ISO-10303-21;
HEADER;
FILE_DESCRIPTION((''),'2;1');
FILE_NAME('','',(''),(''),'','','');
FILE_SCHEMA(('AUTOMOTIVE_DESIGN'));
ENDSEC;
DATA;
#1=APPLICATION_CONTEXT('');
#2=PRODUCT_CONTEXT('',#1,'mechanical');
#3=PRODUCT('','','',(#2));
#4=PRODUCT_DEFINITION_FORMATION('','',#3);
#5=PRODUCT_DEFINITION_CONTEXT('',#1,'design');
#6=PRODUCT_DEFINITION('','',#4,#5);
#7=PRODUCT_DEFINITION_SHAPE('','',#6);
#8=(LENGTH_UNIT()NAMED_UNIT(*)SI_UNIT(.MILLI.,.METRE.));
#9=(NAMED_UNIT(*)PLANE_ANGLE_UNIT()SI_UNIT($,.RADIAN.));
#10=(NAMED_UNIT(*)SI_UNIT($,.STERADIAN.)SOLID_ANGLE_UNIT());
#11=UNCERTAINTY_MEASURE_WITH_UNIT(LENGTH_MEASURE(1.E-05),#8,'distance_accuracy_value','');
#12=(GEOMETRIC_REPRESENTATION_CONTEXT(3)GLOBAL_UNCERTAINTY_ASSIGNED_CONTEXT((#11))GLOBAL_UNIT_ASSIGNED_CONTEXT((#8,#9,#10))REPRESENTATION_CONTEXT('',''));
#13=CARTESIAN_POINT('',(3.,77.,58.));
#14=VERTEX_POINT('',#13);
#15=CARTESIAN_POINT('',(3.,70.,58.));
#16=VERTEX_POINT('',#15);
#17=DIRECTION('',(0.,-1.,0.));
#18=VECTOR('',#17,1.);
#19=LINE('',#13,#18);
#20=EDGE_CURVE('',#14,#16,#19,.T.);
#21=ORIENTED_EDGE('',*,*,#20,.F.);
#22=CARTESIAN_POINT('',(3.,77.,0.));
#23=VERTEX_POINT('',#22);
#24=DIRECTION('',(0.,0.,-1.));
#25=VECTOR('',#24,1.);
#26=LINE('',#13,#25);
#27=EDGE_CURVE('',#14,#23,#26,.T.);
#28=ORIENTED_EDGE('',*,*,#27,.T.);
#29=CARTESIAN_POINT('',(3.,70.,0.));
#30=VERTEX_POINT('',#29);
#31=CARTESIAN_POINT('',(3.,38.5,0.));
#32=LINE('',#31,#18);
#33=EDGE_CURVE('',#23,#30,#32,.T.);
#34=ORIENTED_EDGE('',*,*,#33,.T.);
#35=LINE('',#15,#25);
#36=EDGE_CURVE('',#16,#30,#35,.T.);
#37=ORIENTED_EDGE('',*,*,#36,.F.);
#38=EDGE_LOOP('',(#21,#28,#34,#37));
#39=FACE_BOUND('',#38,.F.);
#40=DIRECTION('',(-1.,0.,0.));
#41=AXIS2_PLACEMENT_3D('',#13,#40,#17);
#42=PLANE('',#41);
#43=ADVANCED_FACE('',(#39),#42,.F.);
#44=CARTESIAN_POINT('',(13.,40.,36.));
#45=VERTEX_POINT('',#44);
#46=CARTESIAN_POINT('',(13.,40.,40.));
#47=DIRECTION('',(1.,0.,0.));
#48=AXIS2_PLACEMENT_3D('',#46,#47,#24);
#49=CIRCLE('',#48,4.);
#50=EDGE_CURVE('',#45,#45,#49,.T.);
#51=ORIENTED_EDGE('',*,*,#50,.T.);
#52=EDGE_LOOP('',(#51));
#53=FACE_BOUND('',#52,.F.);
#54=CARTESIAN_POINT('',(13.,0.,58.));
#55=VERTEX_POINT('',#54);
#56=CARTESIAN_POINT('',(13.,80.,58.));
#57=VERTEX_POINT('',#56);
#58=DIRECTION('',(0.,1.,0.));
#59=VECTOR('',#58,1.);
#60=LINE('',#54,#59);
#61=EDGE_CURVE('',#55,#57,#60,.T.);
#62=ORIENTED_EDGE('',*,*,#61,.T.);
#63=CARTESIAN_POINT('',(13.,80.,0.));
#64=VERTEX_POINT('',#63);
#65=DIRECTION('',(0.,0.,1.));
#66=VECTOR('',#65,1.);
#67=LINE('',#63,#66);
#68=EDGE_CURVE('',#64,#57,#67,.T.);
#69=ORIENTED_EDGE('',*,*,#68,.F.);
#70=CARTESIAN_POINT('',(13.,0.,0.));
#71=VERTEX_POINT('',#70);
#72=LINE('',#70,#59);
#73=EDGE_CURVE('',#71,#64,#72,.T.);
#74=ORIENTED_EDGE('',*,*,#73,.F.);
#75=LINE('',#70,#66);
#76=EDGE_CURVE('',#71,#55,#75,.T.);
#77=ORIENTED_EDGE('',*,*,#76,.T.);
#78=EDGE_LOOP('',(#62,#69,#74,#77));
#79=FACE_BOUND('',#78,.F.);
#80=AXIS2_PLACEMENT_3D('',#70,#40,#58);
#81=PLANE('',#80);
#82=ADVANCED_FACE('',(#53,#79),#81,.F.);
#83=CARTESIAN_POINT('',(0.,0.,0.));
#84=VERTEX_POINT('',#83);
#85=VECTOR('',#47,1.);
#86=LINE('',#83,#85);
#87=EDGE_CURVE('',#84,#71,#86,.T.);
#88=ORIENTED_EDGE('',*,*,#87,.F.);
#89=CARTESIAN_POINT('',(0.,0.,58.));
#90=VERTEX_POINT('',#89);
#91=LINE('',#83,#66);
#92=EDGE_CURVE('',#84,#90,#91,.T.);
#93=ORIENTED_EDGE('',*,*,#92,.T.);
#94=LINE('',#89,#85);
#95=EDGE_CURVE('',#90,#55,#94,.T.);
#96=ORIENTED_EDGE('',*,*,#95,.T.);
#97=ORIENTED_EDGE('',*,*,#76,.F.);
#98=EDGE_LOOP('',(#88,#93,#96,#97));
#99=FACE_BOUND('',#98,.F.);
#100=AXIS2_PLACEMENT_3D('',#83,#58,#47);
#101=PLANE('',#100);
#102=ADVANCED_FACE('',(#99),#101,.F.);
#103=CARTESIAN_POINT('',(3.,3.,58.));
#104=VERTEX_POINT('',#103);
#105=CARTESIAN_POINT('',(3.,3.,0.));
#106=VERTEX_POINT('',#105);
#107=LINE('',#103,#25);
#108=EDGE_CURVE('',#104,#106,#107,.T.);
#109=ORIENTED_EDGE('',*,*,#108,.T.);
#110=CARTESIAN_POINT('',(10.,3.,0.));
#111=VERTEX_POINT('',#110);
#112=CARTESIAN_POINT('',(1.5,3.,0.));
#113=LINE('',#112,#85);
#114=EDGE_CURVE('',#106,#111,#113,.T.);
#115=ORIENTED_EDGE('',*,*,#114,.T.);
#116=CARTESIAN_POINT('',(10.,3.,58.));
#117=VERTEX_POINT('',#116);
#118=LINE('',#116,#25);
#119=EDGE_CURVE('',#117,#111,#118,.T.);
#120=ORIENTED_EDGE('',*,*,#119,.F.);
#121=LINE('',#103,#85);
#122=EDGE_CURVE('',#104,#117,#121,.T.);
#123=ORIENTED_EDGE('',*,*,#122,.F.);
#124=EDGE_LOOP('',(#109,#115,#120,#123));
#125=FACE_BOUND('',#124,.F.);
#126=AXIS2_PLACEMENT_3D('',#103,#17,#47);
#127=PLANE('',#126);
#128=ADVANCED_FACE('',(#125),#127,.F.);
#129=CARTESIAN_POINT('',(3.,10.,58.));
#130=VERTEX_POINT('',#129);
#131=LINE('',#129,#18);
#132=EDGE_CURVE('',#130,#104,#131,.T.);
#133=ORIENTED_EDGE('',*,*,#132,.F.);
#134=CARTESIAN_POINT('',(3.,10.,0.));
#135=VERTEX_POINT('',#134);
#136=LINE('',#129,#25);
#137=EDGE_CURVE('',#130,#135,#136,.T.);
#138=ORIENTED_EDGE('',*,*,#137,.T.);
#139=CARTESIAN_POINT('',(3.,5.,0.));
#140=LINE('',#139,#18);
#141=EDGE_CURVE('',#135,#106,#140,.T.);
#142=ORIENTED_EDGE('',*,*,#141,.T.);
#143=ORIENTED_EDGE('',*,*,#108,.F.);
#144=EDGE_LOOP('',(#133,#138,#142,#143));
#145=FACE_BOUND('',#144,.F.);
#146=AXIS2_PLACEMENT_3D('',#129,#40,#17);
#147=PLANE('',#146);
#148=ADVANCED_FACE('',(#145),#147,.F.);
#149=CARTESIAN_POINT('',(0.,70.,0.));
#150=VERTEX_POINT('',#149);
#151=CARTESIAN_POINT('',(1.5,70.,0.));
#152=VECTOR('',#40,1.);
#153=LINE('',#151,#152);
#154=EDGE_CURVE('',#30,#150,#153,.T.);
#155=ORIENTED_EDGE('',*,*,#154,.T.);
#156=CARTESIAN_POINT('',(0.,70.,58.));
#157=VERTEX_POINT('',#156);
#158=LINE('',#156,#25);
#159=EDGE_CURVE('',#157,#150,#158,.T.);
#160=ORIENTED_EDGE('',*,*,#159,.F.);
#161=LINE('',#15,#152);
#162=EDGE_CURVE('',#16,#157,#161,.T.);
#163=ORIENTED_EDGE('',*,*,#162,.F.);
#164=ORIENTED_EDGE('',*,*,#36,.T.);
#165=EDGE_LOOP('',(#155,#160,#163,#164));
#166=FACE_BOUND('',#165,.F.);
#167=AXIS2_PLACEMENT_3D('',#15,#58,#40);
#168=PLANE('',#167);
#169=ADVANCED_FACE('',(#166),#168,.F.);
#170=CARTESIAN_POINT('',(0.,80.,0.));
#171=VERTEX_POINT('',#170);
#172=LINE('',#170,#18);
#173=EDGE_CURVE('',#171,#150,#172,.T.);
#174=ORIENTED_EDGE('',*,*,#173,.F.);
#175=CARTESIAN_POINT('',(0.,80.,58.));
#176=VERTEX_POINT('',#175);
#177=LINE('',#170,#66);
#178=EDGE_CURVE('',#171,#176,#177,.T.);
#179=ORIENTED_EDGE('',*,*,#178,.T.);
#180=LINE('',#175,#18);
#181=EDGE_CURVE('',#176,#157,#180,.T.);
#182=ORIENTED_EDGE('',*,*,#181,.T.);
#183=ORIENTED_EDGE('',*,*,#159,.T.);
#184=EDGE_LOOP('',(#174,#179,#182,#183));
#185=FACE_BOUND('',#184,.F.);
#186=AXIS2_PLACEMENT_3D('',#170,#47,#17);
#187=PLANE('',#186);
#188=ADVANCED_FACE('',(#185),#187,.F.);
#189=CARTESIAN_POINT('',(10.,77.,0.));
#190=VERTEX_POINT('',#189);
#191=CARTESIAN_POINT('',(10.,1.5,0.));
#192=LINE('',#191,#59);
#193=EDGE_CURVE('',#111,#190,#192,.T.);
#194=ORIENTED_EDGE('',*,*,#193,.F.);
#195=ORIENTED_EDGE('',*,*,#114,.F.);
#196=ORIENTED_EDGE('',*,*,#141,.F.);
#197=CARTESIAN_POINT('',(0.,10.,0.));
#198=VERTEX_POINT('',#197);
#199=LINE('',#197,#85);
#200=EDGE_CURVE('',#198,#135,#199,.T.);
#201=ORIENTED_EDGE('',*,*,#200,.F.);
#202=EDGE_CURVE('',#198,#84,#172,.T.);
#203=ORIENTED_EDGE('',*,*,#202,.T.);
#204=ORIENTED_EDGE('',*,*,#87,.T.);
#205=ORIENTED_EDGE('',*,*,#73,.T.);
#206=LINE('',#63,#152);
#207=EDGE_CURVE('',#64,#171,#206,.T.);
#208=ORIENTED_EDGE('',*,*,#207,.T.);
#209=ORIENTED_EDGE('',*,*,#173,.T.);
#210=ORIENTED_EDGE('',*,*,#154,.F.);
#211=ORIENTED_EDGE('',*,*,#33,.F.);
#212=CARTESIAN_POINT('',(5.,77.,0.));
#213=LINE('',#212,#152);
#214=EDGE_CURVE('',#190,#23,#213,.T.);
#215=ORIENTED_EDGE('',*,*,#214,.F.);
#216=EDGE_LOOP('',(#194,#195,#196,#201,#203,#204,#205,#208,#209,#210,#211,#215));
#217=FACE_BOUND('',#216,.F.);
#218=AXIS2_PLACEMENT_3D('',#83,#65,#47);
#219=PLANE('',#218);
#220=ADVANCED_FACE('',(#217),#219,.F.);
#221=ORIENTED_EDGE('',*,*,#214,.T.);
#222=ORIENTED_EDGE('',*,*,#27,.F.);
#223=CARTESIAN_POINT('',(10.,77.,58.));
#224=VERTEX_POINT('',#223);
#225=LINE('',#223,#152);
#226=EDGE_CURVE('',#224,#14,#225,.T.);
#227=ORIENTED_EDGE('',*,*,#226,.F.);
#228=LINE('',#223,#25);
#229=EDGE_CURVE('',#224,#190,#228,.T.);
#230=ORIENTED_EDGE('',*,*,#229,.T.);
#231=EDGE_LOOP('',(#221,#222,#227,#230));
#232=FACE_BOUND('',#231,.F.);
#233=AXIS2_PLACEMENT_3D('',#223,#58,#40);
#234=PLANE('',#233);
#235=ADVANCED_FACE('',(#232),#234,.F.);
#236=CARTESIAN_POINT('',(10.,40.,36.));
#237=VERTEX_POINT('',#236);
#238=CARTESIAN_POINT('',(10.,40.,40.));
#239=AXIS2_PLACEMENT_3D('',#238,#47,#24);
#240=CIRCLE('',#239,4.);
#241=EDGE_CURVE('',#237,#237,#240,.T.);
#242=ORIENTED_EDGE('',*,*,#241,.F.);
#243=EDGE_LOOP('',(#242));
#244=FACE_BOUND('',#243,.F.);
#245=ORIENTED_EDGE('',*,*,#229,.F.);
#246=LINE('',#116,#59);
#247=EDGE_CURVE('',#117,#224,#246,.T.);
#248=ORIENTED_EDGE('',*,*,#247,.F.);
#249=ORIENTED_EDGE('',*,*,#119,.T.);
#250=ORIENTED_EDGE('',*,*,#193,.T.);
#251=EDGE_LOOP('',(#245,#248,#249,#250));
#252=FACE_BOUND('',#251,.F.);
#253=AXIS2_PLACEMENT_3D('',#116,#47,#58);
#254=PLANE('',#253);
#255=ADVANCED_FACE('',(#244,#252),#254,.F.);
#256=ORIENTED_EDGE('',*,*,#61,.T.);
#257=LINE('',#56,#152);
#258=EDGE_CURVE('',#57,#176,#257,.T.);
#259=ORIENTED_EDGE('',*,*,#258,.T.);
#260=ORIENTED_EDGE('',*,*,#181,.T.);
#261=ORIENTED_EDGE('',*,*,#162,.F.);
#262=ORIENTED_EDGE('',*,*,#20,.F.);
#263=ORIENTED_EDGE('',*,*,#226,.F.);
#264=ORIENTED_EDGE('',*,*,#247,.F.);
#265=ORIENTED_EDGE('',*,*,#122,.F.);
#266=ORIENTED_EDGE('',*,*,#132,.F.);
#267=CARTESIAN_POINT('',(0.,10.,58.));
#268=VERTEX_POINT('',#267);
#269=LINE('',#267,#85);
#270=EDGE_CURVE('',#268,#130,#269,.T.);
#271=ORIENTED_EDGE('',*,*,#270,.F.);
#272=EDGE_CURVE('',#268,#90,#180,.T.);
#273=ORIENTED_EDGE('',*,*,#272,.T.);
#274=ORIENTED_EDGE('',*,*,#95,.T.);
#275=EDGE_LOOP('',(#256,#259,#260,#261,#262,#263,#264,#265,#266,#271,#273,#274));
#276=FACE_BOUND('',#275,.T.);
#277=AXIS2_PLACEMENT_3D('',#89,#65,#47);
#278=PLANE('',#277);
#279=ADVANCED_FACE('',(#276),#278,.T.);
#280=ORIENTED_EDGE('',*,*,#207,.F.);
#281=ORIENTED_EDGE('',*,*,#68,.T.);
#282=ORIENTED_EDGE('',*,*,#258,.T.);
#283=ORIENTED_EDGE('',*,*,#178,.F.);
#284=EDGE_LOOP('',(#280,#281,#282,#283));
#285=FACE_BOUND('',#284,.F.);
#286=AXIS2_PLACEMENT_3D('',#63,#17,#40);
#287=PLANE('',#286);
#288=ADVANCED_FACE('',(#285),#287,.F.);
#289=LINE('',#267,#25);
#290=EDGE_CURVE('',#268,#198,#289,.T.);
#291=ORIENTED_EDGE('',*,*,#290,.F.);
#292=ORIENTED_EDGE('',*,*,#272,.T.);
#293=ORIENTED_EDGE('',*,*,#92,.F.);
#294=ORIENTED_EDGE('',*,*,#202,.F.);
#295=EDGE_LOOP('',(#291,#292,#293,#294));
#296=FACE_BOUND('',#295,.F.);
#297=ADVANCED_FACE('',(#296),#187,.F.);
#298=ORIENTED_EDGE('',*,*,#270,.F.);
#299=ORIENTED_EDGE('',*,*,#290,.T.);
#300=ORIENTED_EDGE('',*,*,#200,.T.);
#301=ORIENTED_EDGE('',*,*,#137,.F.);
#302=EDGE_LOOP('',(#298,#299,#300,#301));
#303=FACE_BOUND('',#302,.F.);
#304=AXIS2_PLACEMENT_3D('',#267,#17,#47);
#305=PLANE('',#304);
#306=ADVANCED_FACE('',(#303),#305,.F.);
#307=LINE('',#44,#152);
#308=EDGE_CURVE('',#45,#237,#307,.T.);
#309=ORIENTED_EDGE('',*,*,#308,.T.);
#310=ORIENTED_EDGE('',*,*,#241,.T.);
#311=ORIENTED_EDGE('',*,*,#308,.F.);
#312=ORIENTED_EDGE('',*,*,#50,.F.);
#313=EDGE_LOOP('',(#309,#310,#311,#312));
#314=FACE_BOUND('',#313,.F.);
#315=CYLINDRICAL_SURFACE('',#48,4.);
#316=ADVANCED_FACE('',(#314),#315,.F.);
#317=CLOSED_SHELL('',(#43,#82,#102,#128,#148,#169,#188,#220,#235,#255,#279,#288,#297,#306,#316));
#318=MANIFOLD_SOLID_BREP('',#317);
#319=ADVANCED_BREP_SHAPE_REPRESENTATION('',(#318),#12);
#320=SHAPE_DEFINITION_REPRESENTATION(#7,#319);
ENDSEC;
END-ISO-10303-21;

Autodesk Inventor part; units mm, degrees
ref_plane "YZ Plane" through (0, 0, 0) normal (1, 0, 0) x (0, 1, 0)
ref_plane "XZ Plane" through (0, 0, 0) normal (0, 1, 0) x (-1, 0, 0)
ref_plane "XY Plane" through (0, 0, 0) normal (0, 0, 1) x (1, 0, 0)
sketch "Sketch1" plane through (0, 0, 0) normal (0, 0, 1) x (1, 0, 0)
  line L0 (0, 0) -> (13, 0)
  line L1 (13, 0) -> (13, 80)
  line L2 (13, 80) -> (0, 80)
  line L3 (0, 80) -> (0, 0)
  dimension "d0" = 80
  dimension "d1" = 13
extrude "Extrusion1" add sketch "Sketch1" along normal blind 58
sketch "Sketch2" plane through (0, 0, 58) normal (0, 0, 1) x (1, 0, 0)
  line L0 (10, 77) -> (3, 77)
  line L1 (3, 3) -> (10, 3)
  line L2 (10, 3) -> (10, 77)
  line L3 (13, 0) -> (13, 80) projected
  line L4 (13, 80) -> (0, 80) projected
  line L5 (0, 0) -> (13, 0) projected
  line L6 (0, 80) -> (0, 0) projected
  line L7 (0, 10) -> (3, 10)
  line L8 (3, 70) -> (0, 70)
  line L9 (0, 70) -> (0, 10)
  line L10 (3, 77) -> (3, 70)
  line L11 (3, 10) -> (3, 3)
  point P0 (0, 70)
  dimension "d4" = 3
  dimension "d5" = 3
  dimension "d6" = 3
  dimension "d8" = 10
  dimension "d9" = 10
extrude "Extrusion2" cut sketch "Sketch2" against normal through all contours L2 L1 L11 L7 L6 L8 L10 L0
sketch "Sketch3" plane through (13, 0, 0) normal (1, 0, 0) x (0, 0, -1)
  circle A0 centre (-40, 40) radius 4
  line L0 (-58, 0) -> (-58, 80) projected
  line L1 (0, 0) -> (-58, 0) projected
  line L2 (0, 0) -> (0, 80) projected
  dimension "d12" = 8
  dimension "d14" = 40
  dimension "d17" = 40
extrude "Extrusion3" cut sketch "Sketch3" against normal through all
properties part number "servo_mount" material "PC/ABS Plastic"
